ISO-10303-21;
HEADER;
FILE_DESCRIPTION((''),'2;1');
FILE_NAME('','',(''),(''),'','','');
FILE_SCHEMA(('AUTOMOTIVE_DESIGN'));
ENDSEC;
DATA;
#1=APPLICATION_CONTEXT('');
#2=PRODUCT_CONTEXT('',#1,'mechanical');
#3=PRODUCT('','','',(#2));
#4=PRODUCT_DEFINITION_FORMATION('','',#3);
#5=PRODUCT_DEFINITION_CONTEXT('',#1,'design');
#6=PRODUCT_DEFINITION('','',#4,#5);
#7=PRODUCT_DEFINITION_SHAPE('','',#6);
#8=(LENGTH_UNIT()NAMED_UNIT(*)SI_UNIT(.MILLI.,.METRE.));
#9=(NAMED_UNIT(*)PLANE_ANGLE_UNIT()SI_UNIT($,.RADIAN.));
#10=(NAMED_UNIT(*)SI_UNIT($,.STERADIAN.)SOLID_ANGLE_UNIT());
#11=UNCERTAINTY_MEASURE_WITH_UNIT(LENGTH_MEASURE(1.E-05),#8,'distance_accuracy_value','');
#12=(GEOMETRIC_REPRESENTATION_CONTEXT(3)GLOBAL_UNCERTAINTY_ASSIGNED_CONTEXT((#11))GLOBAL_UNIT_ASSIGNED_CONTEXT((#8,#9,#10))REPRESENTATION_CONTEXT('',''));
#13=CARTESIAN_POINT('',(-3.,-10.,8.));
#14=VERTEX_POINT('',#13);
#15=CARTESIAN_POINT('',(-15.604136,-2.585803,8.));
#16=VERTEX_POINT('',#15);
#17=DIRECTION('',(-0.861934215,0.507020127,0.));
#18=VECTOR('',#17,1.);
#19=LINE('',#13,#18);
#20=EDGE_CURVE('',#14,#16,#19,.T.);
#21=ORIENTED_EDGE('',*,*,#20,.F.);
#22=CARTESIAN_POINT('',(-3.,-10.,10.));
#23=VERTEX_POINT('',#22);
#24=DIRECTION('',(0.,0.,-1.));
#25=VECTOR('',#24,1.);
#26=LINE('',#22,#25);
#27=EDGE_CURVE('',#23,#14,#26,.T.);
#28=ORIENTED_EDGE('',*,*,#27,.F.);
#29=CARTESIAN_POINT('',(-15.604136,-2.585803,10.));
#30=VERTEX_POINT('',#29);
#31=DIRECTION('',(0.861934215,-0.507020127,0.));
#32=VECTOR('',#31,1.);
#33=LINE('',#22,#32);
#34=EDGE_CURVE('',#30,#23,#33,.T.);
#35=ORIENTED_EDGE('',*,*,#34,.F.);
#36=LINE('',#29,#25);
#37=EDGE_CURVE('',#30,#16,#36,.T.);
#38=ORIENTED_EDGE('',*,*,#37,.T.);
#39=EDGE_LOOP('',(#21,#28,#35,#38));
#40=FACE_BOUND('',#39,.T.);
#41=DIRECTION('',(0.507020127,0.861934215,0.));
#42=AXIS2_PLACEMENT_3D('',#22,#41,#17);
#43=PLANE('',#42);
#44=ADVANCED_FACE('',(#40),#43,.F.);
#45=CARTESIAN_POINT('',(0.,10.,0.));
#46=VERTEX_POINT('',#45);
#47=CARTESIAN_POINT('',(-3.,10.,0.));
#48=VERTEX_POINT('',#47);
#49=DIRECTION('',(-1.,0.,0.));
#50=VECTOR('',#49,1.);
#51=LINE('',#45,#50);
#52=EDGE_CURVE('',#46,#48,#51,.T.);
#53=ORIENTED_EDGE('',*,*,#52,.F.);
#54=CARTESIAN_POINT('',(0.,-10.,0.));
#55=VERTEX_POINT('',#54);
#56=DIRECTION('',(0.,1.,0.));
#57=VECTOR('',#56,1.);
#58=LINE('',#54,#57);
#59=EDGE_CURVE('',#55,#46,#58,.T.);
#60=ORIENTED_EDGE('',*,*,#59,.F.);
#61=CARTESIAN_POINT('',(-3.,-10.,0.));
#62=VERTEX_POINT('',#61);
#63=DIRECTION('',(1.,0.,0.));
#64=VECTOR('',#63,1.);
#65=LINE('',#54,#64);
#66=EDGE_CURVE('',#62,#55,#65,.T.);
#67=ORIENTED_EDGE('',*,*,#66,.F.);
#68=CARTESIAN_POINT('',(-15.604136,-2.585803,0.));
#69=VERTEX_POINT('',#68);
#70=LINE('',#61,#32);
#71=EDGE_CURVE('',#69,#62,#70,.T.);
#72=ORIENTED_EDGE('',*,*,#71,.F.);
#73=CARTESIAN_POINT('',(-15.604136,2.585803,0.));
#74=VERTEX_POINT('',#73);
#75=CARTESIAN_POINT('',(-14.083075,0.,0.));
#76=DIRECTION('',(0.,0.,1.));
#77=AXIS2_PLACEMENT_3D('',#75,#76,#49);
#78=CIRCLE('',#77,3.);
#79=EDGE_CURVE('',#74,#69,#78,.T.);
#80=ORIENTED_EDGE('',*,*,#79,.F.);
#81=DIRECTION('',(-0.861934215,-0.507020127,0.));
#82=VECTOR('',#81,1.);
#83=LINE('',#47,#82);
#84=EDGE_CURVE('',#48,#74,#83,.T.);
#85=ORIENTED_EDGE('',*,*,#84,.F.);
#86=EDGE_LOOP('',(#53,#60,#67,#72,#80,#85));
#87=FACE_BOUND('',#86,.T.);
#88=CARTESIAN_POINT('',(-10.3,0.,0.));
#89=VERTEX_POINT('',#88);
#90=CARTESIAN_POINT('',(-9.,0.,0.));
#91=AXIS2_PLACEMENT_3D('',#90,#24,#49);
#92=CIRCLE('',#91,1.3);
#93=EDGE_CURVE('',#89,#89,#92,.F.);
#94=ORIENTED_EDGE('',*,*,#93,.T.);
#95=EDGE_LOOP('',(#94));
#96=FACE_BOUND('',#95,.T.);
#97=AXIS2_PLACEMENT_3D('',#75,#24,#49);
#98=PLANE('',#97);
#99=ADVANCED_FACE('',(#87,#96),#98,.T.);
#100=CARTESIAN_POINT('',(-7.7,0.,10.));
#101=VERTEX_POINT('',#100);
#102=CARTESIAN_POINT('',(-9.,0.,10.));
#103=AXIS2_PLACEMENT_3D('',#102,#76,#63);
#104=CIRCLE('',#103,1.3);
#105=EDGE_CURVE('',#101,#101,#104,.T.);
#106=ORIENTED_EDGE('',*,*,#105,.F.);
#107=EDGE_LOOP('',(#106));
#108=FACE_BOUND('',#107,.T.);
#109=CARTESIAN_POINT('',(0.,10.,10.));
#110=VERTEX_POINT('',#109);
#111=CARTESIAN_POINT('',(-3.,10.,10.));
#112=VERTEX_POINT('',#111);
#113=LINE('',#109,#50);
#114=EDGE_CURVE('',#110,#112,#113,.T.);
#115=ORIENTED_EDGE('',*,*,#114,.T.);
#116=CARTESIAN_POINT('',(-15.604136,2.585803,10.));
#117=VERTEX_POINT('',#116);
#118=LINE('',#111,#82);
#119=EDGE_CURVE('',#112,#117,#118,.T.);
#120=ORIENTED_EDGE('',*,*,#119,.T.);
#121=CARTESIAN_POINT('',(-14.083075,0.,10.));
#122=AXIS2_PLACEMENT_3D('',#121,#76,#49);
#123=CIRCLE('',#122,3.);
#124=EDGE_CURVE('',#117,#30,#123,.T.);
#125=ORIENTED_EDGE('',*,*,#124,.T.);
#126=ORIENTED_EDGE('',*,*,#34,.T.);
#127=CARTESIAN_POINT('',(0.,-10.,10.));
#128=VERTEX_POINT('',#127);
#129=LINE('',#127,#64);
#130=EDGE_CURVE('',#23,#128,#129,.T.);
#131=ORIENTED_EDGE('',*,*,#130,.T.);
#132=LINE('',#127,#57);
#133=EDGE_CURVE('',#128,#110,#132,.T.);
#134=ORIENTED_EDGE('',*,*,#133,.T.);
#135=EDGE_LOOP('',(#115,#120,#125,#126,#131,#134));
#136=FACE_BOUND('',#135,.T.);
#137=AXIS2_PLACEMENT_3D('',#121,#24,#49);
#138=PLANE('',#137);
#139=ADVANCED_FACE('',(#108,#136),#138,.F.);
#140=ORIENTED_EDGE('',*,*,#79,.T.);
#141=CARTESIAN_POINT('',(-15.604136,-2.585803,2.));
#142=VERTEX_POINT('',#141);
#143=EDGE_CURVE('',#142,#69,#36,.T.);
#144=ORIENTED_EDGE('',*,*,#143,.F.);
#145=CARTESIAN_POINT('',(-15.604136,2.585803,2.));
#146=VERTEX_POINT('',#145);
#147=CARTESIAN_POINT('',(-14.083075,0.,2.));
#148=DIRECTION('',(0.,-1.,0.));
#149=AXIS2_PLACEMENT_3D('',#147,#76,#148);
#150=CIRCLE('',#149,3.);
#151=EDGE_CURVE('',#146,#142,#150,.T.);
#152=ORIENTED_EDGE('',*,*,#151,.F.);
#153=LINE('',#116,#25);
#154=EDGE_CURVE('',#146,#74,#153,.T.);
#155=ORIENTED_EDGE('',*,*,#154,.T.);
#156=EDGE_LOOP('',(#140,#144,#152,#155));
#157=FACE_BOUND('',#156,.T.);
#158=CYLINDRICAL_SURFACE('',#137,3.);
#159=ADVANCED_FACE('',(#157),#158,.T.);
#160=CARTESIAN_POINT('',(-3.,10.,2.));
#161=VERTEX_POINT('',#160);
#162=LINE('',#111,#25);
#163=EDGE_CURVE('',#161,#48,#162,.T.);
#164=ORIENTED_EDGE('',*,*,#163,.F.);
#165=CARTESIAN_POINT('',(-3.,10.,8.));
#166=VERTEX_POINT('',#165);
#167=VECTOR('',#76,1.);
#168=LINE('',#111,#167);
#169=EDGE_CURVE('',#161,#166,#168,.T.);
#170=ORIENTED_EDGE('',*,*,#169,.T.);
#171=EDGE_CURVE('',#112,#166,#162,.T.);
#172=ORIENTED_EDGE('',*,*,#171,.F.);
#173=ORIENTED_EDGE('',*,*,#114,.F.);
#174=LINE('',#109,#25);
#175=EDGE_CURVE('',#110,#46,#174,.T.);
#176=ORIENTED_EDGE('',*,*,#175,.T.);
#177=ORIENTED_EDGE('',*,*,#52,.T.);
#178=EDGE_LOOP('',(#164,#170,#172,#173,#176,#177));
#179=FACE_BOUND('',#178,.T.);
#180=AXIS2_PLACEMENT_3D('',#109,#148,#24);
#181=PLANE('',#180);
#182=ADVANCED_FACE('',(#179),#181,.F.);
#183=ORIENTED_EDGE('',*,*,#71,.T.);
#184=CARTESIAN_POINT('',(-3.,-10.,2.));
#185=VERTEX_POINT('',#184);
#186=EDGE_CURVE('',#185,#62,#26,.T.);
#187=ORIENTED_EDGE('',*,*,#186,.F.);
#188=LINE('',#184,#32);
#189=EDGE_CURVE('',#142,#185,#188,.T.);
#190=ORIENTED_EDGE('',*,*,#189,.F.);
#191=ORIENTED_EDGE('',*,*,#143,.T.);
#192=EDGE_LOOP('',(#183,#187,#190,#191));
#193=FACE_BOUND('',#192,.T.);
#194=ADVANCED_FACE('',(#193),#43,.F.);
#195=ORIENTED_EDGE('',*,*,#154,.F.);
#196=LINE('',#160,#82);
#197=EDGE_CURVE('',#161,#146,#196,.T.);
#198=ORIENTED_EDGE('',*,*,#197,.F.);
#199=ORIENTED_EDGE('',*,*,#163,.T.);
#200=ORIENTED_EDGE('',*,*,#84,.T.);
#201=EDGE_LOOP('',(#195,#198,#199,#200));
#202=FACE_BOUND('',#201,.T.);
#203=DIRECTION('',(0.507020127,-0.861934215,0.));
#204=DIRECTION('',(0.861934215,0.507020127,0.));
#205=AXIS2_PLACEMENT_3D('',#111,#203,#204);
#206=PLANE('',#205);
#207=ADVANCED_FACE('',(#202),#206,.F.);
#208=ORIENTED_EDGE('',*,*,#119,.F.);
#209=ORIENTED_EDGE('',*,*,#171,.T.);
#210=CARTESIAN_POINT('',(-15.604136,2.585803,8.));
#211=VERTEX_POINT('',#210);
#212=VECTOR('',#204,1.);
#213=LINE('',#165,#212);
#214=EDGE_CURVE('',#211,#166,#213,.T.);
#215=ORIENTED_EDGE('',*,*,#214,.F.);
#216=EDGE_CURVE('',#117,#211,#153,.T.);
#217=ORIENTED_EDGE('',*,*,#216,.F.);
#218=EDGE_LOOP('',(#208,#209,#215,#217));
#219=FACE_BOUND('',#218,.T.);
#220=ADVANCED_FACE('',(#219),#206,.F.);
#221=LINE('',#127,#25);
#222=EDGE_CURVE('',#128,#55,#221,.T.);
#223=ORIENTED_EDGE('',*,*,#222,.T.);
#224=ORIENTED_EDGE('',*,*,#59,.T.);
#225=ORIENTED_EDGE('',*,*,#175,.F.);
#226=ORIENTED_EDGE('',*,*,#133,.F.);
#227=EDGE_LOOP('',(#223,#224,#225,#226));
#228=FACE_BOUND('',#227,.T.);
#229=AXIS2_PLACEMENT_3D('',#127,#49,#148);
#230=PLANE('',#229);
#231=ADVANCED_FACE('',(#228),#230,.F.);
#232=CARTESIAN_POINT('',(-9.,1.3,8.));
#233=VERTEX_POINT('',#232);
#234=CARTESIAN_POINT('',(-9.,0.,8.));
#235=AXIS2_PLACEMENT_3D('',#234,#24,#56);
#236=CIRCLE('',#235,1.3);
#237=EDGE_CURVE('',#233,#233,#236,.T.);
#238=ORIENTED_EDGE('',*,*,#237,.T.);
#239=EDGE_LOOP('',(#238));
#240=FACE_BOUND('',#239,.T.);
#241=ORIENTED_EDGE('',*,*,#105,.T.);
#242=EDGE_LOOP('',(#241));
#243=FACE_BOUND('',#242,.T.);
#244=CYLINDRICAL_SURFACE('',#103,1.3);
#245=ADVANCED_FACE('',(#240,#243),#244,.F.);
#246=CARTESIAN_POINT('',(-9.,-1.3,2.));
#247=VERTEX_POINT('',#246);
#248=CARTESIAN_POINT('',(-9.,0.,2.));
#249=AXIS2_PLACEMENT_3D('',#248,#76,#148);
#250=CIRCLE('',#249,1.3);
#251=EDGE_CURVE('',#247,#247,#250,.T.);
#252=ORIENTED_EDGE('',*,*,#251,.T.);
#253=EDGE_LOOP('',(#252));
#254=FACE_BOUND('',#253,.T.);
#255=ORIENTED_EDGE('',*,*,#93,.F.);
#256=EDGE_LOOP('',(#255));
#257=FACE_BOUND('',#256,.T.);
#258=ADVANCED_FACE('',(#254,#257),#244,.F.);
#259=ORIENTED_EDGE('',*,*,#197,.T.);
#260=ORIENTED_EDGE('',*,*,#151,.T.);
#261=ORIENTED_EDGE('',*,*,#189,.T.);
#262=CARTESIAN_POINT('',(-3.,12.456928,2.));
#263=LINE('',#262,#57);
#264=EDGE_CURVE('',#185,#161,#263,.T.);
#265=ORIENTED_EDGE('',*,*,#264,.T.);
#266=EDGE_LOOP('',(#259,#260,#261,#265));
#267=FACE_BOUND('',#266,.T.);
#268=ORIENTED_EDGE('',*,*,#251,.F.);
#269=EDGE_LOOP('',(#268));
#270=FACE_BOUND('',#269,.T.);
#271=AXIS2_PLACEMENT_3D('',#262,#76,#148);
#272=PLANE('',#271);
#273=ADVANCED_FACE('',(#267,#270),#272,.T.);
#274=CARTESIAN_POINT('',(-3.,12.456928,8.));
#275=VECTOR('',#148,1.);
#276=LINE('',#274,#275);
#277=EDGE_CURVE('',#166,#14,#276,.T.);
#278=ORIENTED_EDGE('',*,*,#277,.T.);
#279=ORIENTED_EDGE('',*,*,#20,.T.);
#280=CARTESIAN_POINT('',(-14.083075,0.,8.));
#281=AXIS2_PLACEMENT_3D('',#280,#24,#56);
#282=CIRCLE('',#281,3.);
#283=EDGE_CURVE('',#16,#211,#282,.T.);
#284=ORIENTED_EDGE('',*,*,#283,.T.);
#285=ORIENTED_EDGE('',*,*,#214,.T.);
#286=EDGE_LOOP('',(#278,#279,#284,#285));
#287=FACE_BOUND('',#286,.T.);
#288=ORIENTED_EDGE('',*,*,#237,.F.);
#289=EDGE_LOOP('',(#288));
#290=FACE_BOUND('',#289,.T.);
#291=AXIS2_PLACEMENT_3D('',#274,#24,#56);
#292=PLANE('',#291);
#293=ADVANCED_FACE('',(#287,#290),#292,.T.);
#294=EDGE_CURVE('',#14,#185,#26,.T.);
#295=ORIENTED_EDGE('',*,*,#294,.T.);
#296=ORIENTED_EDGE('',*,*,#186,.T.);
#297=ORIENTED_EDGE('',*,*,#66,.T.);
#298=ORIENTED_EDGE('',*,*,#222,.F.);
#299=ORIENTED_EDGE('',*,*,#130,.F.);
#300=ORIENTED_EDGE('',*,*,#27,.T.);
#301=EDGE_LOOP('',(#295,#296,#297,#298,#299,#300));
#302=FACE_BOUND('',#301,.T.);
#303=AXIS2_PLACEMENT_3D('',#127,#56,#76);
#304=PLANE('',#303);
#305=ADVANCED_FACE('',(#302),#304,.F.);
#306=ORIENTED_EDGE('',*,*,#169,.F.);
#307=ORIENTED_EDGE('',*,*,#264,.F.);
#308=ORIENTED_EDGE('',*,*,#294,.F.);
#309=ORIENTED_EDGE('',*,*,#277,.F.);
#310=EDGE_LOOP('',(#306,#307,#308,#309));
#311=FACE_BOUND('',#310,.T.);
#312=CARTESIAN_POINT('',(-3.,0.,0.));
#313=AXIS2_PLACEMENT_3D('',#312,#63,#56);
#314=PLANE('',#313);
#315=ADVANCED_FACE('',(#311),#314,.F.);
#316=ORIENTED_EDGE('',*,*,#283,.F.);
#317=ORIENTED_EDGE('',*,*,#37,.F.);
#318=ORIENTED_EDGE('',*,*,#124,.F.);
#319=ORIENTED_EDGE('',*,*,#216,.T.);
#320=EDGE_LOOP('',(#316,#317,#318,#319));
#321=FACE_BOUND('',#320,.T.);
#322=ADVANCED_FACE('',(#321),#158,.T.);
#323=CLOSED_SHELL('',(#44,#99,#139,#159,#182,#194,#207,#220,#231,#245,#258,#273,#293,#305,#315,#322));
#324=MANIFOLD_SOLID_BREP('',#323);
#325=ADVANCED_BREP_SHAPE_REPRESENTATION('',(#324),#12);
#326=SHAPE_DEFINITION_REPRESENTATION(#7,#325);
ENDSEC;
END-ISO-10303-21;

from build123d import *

# Parameters (mm, degrees)
DODANIE_WYCI_GNI_CIE3_DEPTH = 10
SZKIC4_W                    = 6
SZKIC4_H                    = 24.913855362
WYTNIJ_WYCI_GNI_CIE2_DEPTH  = 22
OTW_R_POD_RUB_M21_D         = 2.6


with BuildPart() as part:
    # Szkic3 → Dodanie-wyciągnięcie3 (new body)
    with BuildSketch(Plane.XY):
        with BuildLine():
            Line((0, -10), (0, 10))
            Line((0, 10), (-3, 10))
            Line((-3, 10), (-15.604135503, 2.585802645))
            ThreePointArc((-15.604135503, 2.585802645), (-17.083075123, 0), (-15.604135503, -2.585802645))
            Line((-15.604135503, -2.585802645), (-3, -10))
            Line((-3, -10), (0, -10))
        make_face()
    extrude(amount=DODANIE_WYCI_GNI_CIE3_DEPTH)

    # Szkic4 → Wytnij-wyciągnięcie2 (cut)
    with BuildSketch(Plane(origin=(-25, 0, 0), x_dir=(0, 0, -1), z_dir=(1, 0, 0))):
        with Locations((-5, 0)):
            Rectangle(SZKIC4_W, SZKIC4_H)
    extrude(amount=WYTNIJ_WYCI_GNI_CIE2_DEPTH, mode=Mode.SUBTRACT)

    # Otwór pod śrubę M21 (through all)
    with Locations(Plane.XY.offset(10)):
        with Locations((-9, 0)):
            Hole(OTW_R_POD_RUB_M21_D / 2)


solid = part.part
